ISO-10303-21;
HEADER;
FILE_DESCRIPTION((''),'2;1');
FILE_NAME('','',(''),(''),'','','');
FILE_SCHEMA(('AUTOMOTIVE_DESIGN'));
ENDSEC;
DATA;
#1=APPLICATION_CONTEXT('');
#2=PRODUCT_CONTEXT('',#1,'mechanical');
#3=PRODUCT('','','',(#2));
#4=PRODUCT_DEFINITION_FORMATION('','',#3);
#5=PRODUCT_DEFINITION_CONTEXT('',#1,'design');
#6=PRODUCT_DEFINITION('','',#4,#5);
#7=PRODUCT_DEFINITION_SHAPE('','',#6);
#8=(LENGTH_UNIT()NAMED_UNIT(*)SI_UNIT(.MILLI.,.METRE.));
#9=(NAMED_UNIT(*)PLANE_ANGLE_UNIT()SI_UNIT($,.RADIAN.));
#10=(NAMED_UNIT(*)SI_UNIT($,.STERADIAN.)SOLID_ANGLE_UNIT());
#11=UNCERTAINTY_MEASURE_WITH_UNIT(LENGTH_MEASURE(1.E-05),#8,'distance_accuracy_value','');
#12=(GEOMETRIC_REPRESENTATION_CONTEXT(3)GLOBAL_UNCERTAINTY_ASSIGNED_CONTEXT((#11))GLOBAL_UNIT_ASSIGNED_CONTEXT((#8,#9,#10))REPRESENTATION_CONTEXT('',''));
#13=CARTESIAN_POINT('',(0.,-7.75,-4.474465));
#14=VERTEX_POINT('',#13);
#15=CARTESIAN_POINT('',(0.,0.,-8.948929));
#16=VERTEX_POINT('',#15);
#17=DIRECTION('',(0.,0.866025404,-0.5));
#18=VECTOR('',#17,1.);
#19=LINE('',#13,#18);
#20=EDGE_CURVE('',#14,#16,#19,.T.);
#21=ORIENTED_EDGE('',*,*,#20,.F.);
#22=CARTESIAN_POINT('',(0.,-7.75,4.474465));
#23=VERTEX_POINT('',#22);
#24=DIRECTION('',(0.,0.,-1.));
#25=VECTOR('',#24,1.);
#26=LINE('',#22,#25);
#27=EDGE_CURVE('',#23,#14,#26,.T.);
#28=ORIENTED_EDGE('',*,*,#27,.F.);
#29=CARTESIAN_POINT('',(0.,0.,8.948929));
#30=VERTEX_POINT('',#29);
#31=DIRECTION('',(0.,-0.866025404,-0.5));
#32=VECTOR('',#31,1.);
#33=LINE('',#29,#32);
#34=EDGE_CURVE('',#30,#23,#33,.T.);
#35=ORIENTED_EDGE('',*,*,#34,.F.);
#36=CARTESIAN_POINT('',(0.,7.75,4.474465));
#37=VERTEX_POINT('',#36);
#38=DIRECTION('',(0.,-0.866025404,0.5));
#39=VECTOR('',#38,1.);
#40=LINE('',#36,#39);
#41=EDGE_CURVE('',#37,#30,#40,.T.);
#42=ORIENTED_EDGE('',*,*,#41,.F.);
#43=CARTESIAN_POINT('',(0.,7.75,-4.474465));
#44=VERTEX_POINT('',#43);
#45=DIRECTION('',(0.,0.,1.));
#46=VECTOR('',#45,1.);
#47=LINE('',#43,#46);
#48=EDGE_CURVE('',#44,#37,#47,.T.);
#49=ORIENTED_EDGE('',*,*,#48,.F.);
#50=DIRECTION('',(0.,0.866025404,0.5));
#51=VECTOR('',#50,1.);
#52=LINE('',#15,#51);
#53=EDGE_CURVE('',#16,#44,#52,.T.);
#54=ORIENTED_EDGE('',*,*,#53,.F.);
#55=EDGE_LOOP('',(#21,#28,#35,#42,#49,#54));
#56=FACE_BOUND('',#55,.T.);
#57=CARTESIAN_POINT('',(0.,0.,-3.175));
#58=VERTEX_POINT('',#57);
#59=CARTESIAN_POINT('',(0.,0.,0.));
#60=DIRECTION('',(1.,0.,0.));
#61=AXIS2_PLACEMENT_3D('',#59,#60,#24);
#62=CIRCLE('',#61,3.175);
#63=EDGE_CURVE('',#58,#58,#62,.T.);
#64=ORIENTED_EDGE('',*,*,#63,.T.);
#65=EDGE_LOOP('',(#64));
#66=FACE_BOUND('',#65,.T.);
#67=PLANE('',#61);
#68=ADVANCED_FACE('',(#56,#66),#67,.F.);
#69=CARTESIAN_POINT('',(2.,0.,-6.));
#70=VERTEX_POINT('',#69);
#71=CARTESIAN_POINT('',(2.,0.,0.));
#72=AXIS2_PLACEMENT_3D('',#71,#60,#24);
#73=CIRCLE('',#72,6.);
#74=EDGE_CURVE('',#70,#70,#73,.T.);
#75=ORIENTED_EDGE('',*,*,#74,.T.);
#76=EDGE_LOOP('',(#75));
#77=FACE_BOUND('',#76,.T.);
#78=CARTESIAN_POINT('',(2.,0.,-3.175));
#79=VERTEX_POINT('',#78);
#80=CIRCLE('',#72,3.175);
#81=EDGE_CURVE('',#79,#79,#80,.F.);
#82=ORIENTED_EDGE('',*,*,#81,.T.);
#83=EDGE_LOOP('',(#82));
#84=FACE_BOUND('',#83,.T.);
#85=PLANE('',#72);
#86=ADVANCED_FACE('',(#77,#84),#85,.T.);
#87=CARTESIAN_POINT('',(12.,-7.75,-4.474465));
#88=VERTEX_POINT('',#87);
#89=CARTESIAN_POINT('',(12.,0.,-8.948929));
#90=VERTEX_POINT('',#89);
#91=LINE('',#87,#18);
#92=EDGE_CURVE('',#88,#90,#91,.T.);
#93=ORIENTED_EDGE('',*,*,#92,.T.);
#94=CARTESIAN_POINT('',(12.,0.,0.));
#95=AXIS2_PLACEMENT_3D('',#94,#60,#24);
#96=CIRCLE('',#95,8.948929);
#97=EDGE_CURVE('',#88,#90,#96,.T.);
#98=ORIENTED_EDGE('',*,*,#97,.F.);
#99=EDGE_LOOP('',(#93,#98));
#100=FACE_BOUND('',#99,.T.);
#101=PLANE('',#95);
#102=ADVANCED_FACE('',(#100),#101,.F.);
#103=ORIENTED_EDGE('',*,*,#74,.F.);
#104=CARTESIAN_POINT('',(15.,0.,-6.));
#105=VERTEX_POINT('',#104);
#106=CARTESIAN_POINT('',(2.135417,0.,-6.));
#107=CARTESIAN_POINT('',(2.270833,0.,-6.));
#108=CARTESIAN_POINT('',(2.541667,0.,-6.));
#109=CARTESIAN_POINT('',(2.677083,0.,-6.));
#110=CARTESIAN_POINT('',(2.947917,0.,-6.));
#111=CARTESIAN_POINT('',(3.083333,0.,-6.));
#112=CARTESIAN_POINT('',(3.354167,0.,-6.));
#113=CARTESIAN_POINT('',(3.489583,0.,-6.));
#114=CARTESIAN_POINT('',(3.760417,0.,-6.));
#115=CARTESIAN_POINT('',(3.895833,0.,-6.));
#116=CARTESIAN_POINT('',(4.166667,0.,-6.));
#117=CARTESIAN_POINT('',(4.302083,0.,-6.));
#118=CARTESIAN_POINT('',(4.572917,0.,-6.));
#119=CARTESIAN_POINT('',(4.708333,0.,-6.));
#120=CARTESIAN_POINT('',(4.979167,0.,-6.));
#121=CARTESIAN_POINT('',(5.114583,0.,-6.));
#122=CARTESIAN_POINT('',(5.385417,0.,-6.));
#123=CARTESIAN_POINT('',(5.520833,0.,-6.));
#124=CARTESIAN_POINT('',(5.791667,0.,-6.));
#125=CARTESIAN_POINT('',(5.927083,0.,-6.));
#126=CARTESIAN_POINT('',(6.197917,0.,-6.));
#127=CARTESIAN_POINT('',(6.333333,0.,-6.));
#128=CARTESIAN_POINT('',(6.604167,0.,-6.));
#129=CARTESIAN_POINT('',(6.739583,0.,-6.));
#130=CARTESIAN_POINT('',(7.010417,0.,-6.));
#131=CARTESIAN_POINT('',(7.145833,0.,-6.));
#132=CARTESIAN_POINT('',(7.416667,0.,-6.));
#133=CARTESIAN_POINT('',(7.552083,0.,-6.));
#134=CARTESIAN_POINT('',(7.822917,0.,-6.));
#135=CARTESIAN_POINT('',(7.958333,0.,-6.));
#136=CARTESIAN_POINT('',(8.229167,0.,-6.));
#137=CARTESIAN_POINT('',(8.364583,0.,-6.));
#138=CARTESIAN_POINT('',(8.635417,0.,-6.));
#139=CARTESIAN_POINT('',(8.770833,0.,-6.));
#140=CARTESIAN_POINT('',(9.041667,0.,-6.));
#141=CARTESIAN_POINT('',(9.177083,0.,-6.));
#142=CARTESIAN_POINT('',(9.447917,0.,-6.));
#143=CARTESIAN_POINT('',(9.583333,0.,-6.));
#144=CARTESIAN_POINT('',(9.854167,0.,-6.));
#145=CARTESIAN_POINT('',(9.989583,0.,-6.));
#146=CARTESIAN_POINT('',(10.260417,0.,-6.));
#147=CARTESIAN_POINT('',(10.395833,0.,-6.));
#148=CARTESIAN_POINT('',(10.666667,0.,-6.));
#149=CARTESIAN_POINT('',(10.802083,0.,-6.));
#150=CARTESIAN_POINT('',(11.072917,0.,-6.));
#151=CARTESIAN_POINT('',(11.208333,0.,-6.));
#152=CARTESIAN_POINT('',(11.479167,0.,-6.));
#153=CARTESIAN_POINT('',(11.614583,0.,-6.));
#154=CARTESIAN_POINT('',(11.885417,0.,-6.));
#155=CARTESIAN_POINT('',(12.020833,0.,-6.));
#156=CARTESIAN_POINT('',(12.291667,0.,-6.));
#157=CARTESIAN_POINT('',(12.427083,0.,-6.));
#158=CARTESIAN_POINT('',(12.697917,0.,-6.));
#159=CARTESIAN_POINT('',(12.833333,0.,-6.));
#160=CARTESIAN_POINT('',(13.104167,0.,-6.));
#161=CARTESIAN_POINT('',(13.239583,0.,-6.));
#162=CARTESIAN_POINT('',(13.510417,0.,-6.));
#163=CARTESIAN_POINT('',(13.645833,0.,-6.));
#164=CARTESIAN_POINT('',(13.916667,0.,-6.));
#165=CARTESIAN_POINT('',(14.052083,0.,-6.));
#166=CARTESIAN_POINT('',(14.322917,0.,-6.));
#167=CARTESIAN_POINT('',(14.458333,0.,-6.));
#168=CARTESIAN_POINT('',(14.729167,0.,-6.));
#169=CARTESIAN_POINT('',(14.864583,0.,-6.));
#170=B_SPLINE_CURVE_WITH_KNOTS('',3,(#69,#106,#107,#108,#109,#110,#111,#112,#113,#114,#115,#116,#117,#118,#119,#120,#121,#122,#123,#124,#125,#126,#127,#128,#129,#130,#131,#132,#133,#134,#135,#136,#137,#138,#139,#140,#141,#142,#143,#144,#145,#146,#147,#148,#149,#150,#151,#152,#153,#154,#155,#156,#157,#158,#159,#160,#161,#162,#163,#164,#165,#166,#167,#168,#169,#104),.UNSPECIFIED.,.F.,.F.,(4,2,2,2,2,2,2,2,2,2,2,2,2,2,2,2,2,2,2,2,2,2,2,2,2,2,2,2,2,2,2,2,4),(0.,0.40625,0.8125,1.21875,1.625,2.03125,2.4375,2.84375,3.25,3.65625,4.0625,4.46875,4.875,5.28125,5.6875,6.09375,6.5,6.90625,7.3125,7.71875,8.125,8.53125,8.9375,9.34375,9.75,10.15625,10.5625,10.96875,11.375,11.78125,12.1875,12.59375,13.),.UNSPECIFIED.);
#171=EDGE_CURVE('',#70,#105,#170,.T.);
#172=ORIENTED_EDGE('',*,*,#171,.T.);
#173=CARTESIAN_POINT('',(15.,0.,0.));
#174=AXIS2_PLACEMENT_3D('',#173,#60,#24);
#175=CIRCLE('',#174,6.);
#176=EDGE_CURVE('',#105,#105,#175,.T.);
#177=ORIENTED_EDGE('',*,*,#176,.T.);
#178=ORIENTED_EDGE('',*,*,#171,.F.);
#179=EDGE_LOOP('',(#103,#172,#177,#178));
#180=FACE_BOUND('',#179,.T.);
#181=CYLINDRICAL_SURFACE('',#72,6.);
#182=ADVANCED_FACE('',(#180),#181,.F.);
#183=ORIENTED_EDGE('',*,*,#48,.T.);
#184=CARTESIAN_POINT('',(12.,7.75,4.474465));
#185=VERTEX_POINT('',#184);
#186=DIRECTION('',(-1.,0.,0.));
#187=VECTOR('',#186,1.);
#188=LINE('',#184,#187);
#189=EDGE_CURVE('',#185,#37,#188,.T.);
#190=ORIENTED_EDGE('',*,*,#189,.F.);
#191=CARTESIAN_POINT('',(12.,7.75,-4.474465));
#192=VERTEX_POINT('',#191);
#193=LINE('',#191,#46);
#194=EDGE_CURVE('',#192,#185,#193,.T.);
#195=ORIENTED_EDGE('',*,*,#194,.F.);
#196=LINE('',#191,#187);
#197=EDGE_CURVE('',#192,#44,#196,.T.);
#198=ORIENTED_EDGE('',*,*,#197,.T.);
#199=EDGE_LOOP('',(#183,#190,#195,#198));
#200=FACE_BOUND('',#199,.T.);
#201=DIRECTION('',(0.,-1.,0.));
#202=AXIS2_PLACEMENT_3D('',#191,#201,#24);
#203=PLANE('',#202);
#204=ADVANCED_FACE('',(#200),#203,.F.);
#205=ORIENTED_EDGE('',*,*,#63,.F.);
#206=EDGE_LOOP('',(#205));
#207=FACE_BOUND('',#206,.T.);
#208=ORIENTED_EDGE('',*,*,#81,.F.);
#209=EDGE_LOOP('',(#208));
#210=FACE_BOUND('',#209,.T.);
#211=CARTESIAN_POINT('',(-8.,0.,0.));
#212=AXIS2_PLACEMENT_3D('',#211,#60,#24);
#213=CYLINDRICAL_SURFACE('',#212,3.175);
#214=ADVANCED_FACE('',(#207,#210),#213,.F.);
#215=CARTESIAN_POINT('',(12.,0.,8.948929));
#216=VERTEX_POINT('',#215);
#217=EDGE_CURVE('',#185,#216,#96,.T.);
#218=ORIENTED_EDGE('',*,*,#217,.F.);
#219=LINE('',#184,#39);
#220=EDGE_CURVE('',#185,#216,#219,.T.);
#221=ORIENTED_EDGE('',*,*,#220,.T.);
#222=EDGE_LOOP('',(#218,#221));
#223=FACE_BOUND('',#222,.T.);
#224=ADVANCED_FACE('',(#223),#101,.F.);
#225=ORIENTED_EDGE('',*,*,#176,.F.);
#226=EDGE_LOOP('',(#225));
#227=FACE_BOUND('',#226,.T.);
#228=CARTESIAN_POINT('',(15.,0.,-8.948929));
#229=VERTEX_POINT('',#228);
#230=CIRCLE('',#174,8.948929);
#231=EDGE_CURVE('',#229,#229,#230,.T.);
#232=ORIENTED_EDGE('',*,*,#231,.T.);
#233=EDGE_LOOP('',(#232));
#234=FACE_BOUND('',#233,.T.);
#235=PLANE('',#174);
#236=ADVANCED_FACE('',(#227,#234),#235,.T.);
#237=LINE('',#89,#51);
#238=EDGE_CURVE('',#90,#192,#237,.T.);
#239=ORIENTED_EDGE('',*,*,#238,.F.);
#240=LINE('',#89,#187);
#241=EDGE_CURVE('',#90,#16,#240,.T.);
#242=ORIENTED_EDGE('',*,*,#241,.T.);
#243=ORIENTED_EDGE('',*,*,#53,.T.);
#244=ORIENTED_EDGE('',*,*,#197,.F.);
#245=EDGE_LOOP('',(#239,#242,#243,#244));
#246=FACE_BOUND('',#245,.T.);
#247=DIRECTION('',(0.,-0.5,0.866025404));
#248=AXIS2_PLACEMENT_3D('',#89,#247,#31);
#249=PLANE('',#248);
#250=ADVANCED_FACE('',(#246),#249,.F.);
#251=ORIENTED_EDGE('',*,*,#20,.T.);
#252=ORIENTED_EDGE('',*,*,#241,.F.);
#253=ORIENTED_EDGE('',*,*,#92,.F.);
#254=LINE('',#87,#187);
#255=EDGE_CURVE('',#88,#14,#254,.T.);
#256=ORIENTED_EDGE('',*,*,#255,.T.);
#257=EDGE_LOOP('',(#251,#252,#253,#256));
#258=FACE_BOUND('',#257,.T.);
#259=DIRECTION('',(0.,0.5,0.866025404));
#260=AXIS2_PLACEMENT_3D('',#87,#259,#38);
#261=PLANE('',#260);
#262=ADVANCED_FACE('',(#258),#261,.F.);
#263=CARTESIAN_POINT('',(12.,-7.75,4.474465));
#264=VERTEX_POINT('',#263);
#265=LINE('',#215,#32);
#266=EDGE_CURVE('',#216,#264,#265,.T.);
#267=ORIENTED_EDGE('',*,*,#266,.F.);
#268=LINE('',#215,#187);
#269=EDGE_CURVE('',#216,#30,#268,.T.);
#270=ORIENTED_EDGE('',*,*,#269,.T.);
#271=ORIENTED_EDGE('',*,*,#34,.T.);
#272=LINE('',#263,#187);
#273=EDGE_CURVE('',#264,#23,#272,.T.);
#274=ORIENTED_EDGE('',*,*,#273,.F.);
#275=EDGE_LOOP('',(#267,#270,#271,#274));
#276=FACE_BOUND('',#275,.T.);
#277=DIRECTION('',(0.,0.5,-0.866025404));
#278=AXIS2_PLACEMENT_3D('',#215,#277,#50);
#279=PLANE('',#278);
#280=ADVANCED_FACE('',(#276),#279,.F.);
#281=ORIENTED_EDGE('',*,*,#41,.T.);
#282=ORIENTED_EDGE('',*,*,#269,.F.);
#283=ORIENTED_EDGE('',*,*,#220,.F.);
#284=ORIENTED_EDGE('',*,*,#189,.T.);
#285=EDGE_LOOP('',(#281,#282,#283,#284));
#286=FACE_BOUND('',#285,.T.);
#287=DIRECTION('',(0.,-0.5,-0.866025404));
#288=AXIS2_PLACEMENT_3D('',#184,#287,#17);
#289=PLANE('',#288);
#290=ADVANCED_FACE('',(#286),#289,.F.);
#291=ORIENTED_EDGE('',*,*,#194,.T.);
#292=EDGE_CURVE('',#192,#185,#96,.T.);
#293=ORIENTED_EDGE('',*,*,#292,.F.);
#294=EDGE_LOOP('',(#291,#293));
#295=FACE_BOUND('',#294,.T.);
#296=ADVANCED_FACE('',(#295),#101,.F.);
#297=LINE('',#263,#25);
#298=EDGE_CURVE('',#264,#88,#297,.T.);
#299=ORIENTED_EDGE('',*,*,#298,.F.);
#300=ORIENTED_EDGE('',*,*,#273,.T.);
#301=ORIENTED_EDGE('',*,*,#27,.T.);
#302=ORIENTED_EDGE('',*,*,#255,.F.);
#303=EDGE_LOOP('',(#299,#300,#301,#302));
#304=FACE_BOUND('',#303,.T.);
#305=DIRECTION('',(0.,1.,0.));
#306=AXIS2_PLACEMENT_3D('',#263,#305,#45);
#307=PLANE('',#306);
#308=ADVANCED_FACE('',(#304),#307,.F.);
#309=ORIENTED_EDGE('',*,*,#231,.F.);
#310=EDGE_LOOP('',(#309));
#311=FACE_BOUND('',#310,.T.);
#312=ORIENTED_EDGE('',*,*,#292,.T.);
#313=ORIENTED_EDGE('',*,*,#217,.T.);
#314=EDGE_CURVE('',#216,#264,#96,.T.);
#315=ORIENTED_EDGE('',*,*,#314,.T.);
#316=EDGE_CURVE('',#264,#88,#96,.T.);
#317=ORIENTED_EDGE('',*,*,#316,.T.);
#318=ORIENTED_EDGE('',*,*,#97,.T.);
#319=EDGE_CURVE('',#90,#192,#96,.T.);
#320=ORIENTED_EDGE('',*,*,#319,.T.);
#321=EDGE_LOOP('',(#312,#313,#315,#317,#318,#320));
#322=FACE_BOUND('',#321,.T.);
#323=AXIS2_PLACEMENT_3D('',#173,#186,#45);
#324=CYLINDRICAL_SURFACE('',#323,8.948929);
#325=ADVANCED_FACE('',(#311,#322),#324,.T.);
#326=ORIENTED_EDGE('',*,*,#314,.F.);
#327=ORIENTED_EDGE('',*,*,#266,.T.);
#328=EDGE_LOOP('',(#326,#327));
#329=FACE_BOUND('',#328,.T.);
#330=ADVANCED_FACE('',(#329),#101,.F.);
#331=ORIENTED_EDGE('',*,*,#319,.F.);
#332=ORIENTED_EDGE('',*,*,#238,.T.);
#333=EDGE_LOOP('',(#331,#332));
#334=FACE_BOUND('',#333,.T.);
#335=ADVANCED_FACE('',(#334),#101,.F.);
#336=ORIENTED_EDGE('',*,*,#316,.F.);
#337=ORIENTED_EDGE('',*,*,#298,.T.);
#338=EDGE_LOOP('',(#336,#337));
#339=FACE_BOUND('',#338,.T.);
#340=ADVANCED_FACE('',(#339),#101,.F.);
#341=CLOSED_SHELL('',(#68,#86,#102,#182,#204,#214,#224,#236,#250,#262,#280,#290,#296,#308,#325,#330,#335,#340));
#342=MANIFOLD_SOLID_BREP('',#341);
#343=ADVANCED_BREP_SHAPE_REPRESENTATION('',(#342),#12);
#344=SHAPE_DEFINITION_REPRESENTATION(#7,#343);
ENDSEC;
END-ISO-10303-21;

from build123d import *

# Parameters (mm, degrees)
BOSS_EXTRUDE1_DEPTH = 12
SKETCH2_R           = 8.948929172
BOSS_EXTRUDE2_DEPTH = 3
SKETCH3_R           = 3.175
CUT_EXTRUDE1_DEPTH  = 23
SKETCH4_R           = 6
CUT_EXTRUDE2_DEPTH  = 13


with BuildPart() as part:
    # Sketch1 → Boss-Extrude1 (new body)
    with BuildSketch(Plane(origin=(0, 0, 0), x_dir=(0, 0, -1), z_dir=(1, 0, 0))):
        Polygon((8.948929172, 0), (4.474464586, 7.75), (-4.474464586, 7.75), (-8.948929172, 0), (-4.474464586, -7.75), (4.474464586, -7.75), align=None)
    extrude(amount=BOSS_EXTRUDE1_DEPTH)

    # Sketch2 → Boss-Extrude2 (add)
    with BuildSketch(Plane(origin=(12, 0, 0), x_dir=(0, 0, -1), z_dir=(1, 0, 0))):
        Circle(SKETCH2_R)
    extrude(amount=BOSS_EXTRUDE2_DEPTH)

    # Sketch3 → Cut-Extrude1 (cut)
    with BuildSketch(Plane(origin=(15, 0, 0), x_dir=(0, 0, -1), z_dir=(1, 0, 0))):
        Circle(SKETCH3_R)
    extrude(amount=-CUT_EXTRUDE1_DEPTH, mode=Mode.SUBTRACT)

    # Sketch4 → Cut-Extrude2 (cut)
    with BuildSketch(Plane(origin=(15, 0, 0), x_dir=(0, 0, -1), z_dir=(1, 0, 0))):
        Circle(SKETCH4_R)
    extrude(amount=-CUT_EXTRUDE2_DEPTH, mode=Mode.SUBTRACT)


solid = part.part
